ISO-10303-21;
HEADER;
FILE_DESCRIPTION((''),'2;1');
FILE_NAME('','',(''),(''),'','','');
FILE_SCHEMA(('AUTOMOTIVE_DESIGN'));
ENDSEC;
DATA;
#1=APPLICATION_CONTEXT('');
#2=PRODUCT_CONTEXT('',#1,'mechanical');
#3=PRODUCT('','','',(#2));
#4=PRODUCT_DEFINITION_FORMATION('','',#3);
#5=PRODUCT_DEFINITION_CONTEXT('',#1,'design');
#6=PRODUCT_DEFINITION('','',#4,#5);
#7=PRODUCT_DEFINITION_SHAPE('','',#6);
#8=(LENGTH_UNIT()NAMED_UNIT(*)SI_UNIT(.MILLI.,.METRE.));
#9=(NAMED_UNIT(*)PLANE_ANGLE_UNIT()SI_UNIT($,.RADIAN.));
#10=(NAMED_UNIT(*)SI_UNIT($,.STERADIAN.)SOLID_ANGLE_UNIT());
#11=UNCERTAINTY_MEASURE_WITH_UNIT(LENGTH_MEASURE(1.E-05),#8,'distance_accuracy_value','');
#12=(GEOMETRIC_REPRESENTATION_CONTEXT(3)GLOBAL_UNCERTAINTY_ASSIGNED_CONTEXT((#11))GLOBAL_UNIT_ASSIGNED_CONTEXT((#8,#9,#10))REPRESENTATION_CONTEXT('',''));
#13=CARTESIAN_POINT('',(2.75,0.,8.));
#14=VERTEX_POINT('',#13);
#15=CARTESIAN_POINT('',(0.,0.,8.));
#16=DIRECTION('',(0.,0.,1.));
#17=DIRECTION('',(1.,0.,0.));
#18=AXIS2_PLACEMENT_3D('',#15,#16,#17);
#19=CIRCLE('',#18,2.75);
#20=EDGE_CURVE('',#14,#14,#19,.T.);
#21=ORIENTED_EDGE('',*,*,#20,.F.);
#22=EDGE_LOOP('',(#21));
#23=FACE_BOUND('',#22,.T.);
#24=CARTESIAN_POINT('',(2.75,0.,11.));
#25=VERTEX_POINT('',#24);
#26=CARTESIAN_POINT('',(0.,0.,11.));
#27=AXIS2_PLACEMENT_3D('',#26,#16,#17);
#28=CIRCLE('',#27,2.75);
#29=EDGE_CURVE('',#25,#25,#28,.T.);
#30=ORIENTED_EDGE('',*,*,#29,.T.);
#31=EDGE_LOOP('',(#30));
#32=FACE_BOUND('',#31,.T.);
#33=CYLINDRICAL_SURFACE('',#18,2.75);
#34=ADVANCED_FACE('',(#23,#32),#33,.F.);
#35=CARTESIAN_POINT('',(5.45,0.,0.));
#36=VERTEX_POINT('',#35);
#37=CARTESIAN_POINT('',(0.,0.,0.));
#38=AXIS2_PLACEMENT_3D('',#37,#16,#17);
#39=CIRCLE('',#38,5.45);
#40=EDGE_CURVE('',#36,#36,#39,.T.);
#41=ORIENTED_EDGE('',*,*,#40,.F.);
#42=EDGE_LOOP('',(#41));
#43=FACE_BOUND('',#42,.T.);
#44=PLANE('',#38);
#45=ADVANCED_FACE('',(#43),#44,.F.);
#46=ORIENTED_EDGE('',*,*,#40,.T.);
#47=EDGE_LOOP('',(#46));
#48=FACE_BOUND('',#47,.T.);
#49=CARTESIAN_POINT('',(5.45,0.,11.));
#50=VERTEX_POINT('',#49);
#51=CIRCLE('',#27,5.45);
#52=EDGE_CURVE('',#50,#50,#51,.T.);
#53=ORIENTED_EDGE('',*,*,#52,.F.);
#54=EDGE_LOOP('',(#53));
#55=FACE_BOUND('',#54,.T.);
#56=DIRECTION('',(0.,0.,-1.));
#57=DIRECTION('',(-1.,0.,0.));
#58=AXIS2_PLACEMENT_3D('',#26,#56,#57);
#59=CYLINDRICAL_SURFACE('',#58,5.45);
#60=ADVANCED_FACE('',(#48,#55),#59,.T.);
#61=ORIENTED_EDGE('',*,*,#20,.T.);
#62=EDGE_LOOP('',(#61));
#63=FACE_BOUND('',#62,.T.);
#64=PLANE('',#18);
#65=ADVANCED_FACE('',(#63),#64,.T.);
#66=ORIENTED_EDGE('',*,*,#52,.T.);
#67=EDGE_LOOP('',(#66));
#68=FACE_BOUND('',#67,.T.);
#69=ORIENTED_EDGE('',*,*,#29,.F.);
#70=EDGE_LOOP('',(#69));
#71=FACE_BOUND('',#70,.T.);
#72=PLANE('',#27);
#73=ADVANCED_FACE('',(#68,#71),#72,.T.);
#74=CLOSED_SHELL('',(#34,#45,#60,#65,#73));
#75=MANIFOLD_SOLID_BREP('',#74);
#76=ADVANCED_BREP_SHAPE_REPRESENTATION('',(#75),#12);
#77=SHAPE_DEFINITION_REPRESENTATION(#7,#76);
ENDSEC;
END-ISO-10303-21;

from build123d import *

# Parameters (mm, degrees)
SKETCH1_R           = 5.45
BOSS_EXTRUDE1_DEPTH = 11
SKETCH2_R           = 2.75
CUT_EXTRUDE1_DEPTH  = 3


with BuildPart() as part:
    # Sketch1 → Boss-Extrude1 (new body)
    with BuildSketch(Plane.XY):
        Circle(SKETCH1_R)
    extrude(amount=BOSS_EXTRUDE1_DEPTH)

    # Sketch2 → Cut-Extrude1 (cut)
    with BuildSketch(Plane.XY.offset(11)):
        Circle(SKETCH2_R)
    extrude(amount=-CUT_EXTRUDE1_DEPTH, mode=Mode.SUBTRACT)


solid = part.part
